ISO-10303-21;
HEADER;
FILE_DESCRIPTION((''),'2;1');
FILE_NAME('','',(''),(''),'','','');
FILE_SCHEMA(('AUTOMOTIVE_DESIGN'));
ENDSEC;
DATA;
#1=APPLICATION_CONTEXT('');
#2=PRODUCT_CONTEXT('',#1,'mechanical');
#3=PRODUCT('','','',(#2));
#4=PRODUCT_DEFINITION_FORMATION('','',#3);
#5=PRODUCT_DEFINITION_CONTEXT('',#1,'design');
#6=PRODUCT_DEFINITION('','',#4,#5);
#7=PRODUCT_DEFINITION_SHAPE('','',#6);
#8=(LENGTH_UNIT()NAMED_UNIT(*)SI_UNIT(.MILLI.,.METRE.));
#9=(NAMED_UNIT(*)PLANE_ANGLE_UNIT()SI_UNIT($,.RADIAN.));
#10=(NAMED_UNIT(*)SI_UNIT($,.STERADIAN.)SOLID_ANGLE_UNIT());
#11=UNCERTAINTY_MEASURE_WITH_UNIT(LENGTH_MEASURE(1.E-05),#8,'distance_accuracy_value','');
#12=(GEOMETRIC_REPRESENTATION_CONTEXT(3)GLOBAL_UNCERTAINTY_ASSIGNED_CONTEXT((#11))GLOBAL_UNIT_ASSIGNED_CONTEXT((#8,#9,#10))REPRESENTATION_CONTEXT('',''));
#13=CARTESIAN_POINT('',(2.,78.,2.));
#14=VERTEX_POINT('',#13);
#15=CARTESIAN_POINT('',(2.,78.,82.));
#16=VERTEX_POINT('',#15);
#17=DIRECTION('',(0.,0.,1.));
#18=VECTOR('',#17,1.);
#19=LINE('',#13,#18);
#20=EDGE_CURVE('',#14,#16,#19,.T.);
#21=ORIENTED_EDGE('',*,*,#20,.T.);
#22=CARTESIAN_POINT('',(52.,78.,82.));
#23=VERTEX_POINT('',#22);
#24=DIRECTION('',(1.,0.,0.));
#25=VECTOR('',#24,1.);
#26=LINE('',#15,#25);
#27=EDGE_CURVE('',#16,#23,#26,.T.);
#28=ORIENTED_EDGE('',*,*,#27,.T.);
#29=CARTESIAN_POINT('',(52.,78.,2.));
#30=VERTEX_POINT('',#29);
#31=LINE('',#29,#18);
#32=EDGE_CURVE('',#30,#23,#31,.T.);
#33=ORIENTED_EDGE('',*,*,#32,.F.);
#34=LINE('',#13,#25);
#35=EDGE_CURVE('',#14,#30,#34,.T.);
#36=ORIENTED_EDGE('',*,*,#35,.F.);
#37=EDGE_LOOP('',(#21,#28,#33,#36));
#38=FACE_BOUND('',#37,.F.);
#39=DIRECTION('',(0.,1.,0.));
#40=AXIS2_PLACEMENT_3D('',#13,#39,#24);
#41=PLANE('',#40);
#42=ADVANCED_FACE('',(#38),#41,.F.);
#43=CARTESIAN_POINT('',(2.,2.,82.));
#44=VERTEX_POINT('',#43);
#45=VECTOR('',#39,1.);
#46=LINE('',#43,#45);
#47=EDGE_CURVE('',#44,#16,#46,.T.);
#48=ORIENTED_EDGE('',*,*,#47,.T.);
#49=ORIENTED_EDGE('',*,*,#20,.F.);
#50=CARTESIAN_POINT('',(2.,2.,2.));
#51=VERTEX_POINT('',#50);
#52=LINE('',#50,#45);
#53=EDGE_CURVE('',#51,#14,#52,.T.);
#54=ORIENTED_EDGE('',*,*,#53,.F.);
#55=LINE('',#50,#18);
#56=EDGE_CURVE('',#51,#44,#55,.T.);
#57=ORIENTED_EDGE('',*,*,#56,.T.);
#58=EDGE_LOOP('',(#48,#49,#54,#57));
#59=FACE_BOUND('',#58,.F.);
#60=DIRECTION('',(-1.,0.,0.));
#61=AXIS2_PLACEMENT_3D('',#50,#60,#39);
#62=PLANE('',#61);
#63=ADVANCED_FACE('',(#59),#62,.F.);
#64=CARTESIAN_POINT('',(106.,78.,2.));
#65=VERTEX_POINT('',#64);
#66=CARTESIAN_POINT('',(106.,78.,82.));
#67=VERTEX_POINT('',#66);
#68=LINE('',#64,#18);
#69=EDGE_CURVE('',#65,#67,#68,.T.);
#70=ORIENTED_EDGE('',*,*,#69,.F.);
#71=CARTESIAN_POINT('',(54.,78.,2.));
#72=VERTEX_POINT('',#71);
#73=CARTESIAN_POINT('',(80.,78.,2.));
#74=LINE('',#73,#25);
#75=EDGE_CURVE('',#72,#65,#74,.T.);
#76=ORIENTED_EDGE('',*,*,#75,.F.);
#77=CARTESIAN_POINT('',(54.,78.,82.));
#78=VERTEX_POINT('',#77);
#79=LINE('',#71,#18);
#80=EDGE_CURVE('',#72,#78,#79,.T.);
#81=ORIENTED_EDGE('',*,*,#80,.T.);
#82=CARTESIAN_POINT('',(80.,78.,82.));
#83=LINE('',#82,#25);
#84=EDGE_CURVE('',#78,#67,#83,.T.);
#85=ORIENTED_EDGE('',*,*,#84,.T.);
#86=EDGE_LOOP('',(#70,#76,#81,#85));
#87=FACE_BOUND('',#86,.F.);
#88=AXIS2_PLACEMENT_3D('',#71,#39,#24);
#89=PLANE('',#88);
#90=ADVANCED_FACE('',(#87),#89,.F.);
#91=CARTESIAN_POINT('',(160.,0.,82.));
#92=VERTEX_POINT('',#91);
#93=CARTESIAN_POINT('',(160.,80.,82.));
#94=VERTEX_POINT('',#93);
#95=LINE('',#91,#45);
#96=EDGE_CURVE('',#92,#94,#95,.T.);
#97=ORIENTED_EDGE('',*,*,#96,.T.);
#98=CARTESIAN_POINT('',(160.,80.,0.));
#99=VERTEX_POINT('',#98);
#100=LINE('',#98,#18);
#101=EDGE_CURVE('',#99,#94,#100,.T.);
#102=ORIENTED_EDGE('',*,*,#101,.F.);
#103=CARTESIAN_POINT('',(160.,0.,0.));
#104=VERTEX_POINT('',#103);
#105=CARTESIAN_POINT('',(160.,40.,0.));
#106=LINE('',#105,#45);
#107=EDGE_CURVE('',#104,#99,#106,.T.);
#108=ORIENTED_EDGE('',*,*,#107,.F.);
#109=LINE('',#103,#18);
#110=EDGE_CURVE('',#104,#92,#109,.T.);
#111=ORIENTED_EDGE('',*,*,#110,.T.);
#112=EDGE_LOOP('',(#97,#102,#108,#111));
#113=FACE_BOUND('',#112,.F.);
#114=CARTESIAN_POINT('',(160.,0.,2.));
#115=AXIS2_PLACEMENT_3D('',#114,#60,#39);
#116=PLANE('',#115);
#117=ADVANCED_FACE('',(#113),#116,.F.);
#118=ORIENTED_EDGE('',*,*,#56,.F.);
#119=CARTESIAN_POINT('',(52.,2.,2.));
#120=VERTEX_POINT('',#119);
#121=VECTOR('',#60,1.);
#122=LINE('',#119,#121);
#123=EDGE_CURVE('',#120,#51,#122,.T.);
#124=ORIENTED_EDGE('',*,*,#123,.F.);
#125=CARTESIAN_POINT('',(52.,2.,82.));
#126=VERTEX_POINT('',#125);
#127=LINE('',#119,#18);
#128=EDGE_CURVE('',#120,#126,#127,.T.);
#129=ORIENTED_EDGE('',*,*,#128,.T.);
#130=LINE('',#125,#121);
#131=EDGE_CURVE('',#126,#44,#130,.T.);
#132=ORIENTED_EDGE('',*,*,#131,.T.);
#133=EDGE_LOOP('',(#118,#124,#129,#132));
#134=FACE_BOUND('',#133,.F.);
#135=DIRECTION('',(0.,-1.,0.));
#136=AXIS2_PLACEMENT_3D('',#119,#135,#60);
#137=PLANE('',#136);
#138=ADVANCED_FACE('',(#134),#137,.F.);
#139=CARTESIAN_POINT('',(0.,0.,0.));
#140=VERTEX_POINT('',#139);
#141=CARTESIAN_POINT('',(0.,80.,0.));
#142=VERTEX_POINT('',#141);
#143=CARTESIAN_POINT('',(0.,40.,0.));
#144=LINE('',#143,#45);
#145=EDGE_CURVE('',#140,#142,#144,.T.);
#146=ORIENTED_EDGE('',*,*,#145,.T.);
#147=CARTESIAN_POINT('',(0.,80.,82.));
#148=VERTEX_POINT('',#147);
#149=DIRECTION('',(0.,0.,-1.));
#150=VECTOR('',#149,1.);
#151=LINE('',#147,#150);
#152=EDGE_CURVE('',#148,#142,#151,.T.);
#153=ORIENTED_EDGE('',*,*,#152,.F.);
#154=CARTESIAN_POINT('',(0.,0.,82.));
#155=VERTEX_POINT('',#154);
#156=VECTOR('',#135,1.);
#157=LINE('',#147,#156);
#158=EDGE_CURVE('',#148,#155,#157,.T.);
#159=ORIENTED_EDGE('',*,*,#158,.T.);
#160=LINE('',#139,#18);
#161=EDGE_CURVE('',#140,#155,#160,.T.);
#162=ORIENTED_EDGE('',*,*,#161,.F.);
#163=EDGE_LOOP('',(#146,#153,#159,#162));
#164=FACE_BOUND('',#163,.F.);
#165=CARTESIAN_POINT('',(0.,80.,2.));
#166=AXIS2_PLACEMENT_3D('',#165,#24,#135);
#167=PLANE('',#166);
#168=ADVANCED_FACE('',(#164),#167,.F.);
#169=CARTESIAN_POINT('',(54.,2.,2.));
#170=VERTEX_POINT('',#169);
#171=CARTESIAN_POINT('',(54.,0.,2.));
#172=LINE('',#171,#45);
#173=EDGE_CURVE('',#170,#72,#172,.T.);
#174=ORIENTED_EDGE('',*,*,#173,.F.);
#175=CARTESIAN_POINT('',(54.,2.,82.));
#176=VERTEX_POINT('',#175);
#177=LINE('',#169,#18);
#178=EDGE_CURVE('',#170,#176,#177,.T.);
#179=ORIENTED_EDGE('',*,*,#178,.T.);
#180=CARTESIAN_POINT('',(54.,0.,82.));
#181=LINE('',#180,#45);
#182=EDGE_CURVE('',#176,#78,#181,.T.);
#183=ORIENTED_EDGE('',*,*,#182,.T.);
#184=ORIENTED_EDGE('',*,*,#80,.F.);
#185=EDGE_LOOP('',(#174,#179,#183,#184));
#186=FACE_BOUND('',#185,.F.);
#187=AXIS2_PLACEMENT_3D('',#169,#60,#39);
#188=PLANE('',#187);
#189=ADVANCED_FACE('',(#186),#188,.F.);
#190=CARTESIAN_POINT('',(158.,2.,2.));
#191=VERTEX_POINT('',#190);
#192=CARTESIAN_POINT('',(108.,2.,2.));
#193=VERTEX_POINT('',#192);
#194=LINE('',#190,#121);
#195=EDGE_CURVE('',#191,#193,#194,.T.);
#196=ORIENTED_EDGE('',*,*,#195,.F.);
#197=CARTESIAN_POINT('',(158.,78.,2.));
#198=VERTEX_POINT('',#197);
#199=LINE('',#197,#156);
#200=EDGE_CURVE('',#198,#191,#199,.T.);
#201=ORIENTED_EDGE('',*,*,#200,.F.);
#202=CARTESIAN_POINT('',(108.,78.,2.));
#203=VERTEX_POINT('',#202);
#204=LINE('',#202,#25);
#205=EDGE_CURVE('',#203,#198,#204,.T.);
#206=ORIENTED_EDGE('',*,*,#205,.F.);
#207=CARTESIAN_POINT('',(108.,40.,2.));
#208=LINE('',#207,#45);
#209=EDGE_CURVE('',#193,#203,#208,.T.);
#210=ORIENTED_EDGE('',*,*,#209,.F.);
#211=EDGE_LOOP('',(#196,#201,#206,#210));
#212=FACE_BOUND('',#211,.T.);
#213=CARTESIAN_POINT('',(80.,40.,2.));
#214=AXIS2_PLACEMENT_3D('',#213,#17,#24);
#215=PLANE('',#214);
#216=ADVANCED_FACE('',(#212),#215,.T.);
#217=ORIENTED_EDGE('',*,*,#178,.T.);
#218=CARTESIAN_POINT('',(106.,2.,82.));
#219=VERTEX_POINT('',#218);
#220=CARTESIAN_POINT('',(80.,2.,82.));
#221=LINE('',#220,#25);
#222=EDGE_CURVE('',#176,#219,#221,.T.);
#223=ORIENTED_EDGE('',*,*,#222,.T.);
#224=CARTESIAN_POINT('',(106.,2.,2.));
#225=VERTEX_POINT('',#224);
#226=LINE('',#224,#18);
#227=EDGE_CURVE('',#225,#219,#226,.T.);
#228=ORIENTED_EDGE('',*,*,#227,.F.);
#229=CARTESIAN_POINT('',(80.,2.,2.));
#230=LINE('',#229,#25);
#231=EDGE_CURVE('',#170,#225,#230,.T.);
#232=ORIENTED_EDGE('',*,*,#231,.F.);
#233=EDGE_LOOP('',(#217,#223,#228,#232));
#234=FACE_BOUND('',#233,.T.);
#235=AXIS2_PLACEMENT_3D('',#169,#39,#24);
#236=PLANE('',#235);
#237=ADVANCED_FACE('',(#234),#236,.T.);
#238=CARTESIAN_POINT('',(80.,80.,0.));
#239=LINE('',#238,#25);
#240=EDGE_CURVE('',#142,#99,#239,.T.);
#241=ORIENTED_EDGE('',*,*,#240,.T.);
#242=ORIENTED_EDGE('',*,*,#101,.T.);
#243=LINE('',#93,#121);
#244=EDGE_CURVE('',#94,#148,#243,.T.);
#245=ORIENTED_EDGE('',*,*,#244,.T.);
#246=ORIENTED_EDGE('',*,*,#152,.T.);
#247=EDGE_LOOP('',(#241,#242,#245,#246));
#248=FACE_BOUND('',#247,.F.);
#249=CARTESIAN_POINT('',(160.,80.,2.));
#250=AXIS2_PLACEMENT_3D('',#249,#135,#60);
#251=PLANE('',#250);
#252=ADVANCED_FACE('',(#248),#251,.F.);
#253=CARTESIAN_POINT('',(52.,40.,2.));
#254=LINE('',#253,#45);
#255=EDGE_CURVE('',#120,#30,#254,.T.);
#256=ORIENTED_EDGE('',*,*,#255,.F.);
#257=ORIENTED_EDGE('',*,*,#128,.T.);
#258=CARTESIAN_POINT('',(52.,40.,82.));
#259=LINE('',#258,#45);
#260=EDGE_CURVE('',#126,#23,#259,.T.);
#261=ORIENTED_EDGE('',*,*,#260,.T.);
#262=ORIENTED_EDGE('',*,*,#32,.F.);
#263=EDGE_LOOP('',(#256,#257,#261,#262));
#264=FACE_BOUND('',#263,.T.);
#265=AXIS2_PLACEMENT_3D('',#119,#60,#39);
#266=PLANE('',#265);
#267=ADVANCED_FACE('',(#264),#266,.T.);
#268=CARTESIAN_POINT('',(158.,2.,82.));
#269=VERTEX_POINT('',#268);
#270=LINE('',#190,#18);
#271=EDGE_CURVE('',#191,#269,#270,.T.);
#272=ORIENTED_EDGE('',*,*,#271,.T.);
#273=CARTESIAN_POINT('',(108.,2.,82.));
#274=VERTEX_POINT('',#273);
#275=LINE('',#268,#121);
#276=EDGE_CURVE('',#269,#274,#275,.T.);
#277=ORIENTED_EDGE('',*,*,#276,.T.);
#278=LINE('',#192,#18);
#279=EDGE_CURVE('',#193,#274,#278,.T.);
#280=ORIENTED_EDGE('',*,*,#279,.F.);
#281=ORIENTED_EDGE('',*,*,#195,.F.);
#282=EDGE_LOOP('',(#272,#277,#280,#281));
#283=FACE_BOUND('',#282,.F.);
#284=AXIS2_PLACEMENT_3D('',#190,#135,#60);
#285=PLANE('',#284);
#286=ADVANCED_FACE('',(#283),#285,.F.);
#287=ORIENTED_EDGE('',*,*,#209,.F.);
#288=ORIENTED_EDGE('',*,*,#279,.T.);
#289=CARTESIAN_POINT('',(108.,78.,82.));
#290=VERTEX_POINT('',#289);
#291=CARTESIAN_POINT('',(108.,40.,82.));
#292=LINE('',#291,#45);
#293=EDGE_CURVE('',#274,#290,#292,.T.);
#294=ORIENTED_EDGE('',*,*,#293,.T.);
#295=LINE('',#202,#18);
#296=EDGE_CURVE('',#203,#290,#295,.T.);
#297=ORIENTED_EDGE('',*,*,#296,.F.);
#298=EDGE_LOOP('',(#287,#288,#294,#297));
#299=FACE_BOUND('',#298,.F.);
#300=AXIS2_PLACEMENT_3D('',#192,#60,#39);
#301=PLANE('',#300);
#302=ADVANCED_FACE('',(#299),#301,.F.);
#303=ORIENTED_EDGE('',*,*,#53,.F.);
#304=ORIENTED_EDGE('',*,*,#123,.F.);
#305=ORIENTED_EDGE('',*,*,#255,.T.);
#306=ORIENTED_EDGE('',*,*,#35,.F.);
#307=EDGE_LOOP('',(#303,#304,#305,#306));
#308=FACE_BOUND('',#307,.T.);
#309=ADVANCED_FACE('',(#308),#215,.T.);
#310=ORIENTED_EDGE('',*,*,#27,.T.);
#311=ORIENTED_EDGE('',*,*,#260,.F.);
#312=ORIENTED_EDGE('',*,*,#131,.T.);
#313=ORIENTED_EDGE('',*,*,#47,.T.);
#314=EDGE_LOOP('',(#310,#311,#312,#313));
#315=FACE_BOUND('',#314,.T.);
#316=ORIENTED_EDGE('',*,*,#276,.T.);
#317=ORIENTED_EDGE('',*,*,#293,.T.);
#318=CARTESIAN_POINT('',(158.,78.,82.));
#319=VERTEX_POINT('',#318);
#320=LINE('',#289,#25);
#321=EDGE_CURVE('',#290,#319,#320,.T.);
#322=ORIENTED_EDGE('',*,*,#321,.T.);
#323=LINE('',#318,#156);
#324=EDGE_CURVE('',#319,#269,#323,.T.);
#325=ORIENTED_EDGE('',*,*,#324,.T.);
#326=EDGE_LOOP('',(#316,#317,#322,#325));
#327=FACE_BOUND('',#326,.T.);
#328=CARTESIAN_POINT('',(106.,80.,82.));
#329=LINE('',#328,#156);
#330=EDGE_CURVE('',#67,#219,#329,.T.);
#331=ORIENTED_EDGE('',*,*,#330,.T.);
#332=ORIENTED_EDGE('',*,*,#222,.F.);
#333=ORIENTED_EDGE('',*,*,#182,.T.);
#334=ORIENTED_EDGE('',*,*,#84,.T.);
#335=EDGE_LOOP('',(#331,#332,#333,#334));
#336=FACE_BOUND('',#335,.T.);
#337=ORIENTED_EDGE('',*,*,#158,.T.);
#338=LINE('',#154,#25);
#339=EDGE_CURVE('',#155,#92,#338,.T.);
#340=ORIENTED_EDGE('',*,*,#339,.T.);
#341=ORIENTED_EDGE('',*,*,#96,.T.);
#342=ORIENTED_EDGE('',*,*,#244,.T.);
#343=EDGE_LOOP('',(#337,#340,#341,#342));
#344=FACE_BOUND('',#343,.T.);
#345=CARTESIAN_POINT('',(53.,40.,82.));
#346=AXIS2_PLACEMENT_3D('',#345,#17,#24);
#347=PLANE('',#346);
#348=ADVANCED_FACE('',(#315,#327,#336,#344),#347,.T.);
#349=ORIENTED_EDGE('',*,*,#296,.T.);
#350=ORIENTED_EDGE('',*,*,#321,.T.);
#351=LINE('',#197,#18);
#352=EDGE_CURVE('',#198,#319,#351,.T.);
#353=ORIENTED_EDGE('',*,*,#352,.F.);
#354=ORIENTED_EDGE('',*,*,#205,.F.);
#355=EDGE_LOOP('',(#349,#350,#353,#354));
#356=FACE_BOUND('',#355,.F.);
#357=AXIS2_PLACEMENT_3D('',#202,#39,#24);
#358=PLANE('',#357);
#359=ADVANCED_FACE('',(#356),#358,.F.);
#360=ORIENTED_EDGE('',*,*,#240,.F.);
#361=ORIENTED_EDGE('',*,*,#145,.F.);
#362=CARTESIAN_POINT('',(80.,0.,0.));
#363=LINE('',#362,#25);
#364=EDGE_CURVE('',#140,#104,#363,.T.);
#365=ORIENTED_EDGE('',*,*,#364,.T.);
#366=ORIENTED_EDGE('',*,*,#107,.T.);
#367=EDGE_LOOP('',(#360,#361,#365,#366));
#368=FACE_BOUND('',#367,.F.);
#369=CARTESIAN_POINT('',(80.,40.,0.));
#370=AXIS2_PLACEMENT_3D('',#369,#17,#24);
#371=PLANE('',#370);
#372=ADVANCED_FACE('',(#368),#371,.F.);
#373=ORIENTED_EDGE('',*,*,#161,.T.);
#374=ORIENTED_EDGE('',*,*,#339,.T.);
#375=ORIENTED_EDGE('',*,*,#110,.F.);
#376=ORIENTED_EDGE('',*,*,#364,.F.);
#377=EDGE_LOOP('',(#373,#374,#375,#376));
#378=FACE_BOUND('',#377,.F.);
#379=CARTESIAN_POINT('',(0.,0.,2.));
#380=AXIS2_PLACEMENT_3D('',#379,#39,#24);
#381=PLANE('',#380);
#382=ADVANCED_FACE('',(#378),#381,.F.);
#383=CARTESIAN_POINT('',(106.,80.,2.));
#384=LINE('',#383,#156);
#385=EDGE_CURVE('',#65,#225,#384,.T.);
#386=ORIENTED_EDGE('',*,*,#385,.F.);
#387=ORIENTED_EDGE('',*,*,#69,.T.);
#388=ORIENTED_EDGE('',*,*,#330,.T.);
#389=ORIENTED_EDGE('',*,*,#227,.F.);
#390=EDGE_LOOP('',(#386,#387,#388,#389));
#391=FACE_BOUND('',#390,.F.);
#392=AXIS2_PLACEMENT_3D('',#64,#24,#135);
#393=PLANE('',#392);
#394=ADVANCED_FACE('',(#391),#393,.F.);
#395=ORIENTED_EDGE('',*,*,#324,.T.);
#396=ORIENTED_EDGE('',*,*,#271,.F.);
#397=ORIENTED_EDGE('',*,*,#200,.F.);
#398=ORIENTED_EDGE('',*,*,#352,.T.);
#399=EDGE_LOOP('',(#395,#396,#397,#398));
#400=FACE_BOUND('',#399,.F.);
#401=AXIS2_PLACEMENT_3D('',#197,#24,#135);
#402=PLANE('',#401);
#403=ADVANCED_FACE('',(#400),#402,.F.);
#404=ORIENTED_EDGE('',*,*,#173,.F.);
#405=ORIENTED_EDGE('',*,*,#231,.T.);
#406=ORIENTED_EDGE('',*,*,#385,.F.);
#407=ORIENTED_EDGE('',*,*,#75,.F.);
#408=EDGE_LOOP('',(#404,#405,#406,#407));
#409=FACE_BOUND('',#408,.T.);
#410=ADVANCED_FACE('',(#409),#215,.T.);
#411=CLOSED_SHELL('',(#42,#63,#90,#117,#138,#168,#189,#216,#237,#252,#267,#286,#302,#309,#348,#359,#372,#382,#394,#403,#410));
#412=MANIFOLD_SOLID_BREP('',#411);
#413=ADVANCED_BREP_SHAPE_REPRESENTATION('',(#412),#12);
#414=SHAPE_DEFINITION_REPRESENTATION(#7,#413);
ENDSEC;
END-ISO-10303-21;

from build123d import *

# Parameters (mm, degrees)
F0_W     = 160
F0_H     = 80
F1_DEPTH = 2
F2_W     = 2
F2_H     = 76
F2_W_2   = 52
F2_H_2   = 2
F3_DEPTH = 80


with BuildPart() as f1:
    # F0 (on Top) → F1 (new body)
    with BuildSketch(Plane.XY):
        with Locations((80, 40)):
            Rectangle(F0_W, F0_H)
    extrude(amount=F1_DEPTH)

    # F2 (on face) → F3 (join)
    with BuildSketch(Plane.XY.offset(2)):
        with Locations((53, 40)):
            Rectangle(F2_W, F2_H)
        with Locations((107, 40)):
            Rectangle(F2_W, F2_H)
        Polygon((0, 80), (0, 0), (54, 0), (54, 2), (52, 2), (2, 2), (2, 78), (52, 78), (54, 78), (54, 80), align=None)
        Polygon((106, 2), (106, 0), (160, 0), (160, 80), (106, 80), (106, 78), (108, 78), (158, 78), (158, 2), (108, 2), align=None)
        with Locations((80, 1)):
            Rectangle(F2_W_2, F2_H_2)
        with Locations((80, 79)):
            Rectangle(F2_W_2, F2_H_2)
    extrude(amount=F3_DEPTH)


solid = f1.part
